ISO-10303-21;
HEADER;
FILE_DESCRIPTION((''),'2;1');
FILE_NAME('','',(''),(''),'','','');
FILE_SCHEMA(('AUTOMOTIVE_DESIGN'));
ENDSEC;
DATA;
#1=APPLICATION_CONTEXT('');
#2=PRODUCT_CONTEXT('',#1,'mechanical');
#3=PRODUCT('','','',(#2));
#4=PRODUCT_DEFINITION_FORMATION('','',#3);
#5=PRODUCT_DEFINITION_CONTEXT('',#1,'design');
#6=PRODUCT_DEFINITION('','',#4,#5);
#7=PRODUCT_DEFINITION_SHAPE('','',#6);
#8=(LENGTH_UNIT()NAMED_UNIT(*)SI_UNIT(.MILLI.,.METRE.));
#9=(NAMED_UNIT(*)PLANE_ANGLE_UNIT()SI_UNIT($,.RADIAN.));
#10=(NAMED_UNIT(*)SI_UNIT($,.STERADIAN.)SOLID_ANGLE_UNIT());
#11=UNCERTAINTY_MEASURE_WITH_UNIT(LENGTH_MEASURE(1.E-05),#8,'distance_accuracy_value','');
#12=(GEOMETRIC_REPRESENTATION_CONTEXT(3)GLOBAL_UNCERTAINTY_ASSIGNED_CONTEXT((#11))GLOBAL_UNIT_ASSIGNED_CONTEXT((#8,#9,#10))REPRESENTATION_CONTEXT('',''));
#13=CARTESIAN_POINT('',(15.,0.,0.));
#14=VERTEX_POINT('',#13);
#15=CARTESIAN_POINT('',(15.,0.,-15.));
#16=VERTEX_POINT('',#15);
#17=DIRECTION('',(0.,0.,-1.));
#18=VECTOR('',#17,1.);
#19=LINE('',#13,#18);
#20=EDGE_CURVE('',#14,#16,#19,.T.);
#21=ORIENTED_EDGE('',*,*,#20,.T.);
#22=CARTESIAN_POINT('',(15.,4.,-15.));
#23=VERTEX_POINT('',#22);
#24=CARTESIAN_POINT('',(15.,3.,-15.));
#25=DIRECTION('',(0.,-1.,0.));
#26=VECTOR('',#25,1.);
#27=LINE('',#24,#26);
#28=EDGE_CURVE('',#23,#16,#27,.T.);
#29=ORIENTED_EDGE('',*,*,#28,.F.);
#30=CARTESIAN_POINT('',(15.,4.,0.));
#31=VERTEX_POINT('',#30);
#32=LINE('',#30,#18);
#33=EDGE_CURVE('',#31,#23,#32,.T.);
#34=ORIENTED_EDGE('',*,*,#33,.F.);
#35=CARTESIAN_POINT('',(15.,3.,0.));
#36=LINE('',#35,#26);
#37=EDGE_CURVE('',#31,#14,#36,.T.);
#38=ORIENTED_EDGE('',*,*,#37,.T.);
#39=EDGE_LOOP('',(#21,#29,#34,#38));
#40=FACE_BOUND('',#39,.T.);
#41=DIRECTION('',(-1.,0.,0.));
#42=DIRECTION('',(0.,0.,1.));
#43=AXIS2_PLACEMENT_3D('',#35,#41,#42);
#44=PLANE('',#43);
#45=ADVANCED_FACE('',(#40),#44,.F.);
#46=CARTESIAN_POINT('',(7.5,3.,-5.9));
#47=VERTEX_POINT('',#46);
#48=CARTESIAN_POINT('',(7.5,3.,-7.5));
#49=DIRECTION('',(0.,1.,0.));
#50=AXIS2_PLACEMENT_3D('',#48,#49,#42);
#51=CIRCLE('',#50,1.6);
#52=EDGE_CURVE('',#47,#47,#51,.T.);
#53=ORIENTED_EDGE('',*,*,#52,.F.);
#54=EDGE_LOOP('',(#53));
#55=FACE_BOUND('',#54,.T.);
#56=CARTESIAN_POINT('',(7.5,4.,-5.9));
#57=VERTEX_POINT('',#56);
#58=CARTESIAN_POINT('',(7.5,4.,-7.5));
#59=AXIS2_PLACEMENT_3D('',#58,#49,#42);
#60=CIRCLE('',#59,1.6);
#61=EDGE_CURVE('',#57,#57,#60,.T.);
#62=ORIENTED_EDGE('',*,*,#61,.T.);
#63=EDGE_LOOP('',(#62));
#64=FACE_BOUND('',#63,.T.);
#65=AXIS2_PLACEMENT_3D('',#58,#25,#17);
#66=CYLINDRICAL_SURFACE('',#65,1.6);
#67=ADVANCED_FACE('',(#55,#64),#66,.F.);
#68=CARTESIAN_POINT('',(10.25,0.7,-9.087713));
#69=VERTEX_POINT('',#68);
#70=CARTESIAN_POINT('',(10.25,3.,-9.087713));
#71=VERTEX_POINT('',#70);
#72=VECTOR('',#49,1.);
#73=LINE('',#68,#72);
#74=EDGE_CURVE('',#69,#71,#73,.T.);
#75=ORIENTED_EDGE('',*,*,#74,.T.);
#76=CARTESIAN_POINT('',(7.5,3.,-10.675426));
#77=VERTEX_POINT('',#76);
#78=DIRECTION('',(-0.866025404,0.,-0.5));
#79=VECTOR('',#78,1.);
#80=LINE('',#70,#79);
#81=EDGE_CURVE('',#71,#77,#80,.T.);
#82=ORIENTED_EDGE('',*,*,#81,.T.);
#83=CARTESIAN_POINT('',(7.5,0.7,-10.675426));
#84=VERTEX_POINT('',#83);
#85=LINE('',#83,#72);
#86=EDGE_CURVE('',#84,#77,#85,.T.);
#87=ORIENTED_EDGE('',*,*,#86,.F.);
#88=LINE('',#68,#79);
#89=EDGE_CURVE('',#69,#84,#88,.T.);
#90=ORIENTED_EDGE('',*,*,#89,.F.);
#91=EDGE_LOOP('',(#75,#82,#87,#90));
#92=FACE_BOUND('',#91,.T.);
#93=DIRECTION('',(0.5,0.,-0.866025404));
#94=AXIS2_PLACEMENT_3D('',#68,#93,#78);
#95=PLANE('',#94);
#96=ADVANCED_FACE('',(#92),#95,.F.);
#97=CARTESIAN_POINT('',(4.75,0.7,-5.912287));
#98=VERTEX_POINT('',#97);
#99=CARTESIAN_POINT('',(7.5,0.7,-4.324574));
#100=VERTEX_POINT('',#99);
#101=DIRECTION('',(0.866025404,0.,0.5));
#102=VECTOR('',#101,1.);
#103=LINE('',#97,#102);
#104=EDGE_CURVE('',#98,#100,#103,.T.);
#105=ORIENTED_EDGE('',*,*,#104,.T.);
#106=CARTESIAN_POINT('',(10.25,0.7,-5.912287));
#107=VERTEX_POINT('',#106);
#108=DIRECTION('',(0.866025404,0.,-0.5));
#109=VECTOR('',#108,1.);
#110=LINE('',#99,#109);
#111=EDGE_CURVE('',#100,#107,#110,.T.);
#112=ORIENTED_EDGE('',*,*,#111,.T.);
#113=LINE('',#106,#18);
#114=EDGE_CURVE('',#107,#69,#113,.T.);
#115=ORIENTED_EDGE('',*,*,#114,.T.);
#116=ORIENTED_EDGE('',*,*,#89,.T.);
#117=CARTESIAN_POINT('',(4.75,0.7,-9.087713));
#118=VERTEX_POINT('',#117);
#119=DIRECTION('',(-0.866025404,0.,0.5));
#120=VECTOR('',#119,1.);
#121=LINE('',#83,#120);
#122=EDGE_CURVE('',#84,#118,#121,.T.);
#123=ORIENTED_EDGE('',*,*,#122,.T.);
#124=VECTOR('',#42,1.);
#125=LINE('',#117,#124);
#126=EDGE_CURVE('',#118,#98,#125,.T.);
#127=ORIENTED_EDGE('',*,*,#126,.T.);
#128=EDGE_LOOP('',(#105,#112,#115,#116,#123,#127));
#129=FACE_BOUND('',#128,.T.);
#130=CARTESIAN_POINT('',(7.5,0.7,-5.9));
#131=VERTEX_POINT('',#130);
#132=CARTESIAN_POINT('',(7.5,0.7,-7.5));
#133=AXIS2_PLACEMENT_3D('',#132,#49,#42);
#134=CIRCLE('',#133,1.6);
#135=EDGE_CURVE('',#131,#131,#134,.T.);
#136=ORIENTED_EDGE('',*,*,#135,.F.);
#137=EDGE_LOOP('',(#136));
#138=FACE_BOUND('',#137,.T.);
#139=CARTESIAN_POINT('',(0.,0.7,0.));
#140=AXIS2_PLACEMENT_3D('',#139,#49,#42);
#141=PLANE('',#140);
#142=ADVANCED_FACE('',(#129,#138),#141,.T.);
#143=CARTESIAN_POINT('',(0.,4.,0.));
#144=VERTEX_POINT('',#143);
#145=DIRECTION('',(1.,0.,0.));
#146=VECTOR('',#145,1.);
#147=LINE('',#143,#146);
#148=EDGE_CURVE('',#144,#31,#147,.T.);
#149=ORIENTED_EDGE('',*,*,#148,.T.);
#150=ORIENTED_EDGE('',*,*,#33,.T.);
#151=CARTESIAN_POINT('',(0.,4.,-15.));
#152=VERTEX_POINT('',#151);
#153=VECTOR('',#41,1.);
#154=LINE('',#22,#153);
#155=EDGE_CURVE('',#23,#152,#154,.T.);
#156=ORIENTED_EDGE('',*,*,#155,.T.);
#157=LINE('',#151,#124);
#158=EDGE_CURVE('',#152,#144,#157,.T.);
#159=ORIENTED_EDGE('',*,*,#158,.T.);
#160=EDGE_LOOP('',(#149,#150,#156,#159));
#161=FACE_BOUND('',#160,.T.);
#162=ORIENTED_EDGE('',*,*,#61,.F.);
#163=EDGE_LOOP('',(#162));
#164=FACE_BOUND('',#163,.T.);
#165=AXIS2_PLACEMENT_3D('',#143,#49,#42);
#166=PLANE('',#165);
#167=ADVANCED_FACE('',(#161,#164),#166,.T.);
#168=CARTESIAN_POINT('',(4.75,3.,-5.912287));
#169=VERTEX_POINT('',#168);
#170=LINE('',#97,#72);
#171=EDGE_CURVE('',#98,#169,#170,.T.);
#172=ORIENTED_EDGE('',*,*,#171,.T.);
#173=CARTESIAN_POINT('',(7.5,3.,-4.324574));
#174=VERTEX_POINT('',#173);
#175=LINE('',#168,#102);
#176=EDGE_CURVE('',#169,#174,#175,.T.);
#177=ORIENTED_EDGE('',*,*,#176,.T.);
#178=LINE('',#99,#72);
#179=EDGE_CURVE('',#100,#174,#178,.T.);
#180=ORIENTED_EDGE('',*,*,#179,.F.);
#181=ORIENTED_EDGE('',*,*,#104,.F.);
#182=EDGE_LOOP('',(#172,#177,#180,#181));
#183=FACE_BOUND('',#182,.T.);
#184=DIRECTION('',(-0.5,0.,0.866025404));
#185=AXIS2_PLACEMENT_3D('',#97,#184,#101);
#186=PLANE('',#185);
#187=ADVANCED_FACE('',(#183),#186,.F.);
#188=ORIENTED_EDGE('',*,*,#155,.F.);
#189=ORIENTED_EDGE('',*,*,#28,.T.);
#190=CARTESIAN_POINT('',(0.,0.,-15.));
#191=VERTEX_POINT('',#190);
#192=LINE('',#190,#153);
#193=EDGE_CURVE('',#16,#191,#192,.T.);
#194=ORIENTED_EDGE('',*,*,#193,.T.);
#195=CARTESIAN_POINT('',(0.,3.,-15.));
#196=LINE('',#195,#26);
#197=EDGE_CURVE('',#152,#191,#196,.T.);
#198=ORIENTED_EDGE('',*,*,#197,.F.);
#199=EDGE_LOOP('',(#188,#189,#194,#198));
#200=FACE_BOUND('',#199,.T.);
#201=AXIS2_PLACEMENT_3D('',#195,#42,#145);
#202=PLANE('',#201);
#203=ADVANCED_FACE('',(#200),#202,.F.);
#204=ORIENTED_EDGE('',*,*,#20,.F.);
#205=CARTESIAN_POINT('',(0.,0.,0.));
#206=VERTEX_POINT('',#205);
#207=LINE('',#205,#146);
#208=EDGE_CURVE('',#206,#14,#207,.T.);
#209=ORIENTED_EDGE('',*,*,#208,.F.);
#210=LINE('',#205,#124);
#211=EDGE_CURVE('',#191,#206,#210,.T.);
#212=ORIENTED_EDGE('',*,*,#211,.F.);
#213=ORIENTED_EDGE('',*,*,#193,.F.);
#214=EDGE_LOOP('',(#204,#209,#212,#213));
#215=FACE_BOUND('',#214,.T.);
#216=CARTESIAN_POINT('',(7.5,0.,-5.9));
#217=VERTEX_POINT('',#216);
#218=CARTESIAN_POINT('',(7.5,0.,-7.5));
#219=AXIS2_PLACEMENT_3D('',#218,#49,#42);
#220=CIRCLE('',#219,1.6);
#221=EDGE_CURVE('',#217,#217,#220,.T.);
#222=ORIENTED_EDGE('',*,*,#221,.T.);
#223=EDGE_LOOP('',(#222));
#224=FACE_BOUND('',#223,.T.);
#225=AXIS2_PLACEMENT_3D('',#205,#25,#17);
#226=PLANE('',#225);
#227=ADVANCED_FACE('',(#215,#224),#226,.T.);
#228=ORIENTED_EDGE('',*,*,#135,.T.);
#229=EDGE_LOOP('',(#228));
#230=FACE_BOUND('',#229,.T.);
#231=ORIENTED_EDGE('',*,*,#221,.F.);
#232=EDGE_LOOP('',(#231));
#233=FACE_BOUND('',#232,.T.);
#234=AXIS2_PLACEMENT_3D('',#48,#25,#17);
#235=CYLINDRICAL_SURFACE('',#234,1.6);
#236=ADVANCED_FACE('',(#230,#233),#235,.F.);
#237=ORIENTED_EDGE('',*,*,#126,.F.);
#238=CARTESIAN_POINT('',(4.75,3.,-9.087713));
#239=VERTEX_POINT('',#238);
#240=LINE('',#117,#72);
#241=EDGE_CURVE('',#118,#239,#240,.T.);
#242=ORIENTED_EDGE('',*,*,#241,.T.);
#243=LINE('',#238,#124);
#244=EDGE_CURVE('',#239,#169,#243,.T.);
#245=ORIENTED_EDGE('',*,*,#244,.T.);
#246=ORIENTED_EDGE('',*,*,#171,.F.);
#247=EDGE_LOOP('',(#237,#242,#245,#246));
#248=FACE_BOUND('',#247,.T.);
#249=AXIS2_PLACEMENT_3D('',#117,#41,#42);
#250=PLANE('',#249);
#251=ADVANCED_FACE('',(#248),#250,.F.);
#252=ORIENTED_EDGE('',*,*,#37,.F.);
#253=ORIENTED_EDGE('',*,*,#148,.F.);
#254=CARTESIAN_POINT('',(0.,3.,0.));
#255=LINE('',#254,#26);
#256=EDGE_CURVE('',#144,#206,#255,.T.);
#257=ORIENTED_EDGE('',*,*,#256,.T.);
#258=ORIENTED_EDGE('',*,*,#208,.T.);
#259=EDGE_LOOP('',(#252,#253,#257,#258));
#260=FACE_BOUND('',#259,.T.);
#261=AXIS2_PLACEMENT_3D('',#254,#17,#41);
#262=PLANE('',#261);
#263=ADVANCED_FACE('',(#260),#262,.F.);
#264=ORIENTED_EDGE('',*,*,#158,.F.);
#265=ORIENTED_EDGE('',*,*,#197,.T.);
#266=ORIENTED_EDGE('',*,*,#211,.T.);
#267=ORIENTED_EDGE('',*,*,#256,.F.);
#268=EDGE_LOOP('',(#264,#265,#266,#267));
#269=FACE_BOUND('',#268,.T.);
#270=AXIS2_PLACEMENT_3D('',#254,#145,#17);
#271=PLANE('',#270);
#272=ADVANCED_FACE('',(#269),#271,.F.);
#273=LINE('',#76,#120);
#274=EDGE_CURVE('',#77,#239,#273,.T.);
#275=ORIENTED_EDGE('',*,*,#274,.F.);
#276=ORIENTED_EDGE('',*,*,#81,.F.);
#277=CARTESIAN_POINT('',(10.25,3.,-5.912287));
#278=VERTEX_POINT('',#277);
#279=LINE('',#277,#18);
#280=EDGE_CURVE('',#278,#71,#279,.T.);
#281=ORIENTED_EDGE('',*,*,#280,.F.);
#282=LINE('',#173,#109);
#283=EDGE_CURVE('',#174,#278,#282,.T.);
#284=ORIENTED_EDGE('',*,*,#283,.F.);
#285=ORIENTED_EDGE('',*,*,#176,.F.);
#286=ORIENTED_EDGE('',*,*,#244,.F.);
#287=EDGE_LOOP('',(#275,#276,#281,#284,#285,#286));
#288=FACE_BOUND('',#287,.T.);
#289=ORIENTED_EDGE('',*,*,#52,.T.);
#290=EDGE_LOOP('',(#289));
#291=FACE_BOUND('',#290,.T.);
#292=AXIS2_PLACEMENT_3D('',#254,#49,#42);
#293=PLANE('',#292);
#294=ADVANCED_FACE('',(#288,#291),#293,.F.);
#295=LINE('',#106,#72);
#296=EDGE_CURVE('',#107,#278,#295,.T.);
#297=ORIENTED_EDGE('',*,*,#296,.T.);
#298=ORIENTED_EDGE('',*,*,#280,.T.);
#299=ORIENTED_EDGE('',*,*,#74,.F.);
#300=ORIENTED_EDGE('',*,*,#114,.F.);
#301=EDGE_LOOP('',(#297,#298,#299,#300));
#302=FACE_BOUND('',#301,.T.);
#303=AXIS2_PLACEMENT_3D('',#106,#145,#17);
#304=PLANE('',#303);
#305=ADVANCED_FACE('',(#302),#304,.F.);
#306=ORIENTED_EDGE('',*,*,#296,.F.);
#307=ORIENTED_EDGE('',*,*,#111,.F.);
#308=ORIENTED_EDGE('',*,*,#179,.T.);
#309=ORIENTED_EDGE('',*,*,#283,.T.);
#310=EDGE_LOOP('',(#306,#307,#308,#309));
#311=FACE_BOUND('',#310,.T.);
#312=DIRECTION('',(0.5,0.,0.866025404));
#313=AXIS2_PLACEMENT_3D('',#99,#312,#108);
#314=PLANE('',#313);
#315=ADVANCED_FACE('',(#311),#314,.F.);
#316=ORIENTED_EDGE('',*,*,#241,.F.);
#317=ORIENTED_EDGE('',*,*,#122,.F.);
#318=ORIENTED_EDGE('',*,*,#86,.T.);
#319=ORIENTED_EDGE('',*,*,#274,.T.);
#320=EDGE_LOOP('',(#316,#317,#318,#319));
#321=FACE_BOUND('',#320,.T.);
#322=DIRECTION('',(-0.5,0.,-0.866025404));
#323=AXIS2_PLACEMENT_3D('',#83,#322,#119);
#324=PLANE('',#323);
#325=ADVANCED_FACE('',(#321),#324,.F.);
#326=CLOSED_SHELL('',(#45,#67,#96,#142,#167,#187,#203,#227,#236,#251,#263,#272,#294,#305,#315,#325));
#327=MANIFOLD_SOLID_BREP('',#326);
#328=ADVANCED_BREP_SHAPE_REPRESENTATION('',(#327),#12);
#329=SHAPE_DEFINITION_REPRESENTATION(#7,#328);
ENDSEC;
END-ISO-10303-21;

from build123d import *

# Parameters (mm, degrees)
CROQUIS1_W              = 15
CROQUIS1_H              = 15
CROQUIS1_R              = 1.6
SALIENTE_EXTRUIR1_DEPTH = 3
CORTAR_EXTRUIR1_DEPTH   = 2.3
CROQUIS3_W              = 15
CROQUIS3_H              = 15
CROQUIS3_R              = 1.6
SALIENTE_EXTRUIR2_DEPTH = 1


with BuildPart() as part:
    # Croquis1 → Saliente-Extruir1 (new body)
    with BuildSketch(Plane(origin=(0, 0, 0), x_dir=(1, 0, 0), z_dir=(0, 1, 0))):
        with Locations((7.5, 7.5)):
            Rectangle(CROQUIS1_W, CROQUIS1_H)
        with Locations(Location((7.5, 7.5, 0), (0, 0, 270))):
            Circle(CROQUIS1_R, mode=Mode.SUBTRACT)
    extrude(amount=SALIENTE_EXTRUIR1_DEPTH)

    # Croquis2 → Cortar-Extruir1 (cut)
    with BuildSketch(Plane(origin=(0, 3, 0), x_dir=(1, 0, 0), z_dir=(0, 1, 0))):
        Polygon((7.5, 4.324573519), (10.25, 5.91228676), (10.25, 9.08771324), (7.5, 10.675426481), (4.75, 9.08771324), (4.75, 5.91228676), align=None)
    extrude(amount=-CORTAR_EXTRUIR1_DEPTH, mode=Mode.SUBTRACT)

    # Croquis3 → Saliente-Extruir2 (add)
    with BuildSketch(Plane(origin=(0, 3, 0), x_dir=(1, 0, 0), z_dir=(0, 1, 0))):
        with Locations((7.5, 7.5)):
            Rectangle(CROQUIS3_W, CROQUIS3_H)
        with Locations(Location((7.5, 7.5, 0), (0, 0, 270))):
            Circle(CROQUIS3_R, mode=Mode.SUBTRACT)
    extrude(amount=SALIENTE_EXTRUIR2_DEPTH)


solid = part.part
